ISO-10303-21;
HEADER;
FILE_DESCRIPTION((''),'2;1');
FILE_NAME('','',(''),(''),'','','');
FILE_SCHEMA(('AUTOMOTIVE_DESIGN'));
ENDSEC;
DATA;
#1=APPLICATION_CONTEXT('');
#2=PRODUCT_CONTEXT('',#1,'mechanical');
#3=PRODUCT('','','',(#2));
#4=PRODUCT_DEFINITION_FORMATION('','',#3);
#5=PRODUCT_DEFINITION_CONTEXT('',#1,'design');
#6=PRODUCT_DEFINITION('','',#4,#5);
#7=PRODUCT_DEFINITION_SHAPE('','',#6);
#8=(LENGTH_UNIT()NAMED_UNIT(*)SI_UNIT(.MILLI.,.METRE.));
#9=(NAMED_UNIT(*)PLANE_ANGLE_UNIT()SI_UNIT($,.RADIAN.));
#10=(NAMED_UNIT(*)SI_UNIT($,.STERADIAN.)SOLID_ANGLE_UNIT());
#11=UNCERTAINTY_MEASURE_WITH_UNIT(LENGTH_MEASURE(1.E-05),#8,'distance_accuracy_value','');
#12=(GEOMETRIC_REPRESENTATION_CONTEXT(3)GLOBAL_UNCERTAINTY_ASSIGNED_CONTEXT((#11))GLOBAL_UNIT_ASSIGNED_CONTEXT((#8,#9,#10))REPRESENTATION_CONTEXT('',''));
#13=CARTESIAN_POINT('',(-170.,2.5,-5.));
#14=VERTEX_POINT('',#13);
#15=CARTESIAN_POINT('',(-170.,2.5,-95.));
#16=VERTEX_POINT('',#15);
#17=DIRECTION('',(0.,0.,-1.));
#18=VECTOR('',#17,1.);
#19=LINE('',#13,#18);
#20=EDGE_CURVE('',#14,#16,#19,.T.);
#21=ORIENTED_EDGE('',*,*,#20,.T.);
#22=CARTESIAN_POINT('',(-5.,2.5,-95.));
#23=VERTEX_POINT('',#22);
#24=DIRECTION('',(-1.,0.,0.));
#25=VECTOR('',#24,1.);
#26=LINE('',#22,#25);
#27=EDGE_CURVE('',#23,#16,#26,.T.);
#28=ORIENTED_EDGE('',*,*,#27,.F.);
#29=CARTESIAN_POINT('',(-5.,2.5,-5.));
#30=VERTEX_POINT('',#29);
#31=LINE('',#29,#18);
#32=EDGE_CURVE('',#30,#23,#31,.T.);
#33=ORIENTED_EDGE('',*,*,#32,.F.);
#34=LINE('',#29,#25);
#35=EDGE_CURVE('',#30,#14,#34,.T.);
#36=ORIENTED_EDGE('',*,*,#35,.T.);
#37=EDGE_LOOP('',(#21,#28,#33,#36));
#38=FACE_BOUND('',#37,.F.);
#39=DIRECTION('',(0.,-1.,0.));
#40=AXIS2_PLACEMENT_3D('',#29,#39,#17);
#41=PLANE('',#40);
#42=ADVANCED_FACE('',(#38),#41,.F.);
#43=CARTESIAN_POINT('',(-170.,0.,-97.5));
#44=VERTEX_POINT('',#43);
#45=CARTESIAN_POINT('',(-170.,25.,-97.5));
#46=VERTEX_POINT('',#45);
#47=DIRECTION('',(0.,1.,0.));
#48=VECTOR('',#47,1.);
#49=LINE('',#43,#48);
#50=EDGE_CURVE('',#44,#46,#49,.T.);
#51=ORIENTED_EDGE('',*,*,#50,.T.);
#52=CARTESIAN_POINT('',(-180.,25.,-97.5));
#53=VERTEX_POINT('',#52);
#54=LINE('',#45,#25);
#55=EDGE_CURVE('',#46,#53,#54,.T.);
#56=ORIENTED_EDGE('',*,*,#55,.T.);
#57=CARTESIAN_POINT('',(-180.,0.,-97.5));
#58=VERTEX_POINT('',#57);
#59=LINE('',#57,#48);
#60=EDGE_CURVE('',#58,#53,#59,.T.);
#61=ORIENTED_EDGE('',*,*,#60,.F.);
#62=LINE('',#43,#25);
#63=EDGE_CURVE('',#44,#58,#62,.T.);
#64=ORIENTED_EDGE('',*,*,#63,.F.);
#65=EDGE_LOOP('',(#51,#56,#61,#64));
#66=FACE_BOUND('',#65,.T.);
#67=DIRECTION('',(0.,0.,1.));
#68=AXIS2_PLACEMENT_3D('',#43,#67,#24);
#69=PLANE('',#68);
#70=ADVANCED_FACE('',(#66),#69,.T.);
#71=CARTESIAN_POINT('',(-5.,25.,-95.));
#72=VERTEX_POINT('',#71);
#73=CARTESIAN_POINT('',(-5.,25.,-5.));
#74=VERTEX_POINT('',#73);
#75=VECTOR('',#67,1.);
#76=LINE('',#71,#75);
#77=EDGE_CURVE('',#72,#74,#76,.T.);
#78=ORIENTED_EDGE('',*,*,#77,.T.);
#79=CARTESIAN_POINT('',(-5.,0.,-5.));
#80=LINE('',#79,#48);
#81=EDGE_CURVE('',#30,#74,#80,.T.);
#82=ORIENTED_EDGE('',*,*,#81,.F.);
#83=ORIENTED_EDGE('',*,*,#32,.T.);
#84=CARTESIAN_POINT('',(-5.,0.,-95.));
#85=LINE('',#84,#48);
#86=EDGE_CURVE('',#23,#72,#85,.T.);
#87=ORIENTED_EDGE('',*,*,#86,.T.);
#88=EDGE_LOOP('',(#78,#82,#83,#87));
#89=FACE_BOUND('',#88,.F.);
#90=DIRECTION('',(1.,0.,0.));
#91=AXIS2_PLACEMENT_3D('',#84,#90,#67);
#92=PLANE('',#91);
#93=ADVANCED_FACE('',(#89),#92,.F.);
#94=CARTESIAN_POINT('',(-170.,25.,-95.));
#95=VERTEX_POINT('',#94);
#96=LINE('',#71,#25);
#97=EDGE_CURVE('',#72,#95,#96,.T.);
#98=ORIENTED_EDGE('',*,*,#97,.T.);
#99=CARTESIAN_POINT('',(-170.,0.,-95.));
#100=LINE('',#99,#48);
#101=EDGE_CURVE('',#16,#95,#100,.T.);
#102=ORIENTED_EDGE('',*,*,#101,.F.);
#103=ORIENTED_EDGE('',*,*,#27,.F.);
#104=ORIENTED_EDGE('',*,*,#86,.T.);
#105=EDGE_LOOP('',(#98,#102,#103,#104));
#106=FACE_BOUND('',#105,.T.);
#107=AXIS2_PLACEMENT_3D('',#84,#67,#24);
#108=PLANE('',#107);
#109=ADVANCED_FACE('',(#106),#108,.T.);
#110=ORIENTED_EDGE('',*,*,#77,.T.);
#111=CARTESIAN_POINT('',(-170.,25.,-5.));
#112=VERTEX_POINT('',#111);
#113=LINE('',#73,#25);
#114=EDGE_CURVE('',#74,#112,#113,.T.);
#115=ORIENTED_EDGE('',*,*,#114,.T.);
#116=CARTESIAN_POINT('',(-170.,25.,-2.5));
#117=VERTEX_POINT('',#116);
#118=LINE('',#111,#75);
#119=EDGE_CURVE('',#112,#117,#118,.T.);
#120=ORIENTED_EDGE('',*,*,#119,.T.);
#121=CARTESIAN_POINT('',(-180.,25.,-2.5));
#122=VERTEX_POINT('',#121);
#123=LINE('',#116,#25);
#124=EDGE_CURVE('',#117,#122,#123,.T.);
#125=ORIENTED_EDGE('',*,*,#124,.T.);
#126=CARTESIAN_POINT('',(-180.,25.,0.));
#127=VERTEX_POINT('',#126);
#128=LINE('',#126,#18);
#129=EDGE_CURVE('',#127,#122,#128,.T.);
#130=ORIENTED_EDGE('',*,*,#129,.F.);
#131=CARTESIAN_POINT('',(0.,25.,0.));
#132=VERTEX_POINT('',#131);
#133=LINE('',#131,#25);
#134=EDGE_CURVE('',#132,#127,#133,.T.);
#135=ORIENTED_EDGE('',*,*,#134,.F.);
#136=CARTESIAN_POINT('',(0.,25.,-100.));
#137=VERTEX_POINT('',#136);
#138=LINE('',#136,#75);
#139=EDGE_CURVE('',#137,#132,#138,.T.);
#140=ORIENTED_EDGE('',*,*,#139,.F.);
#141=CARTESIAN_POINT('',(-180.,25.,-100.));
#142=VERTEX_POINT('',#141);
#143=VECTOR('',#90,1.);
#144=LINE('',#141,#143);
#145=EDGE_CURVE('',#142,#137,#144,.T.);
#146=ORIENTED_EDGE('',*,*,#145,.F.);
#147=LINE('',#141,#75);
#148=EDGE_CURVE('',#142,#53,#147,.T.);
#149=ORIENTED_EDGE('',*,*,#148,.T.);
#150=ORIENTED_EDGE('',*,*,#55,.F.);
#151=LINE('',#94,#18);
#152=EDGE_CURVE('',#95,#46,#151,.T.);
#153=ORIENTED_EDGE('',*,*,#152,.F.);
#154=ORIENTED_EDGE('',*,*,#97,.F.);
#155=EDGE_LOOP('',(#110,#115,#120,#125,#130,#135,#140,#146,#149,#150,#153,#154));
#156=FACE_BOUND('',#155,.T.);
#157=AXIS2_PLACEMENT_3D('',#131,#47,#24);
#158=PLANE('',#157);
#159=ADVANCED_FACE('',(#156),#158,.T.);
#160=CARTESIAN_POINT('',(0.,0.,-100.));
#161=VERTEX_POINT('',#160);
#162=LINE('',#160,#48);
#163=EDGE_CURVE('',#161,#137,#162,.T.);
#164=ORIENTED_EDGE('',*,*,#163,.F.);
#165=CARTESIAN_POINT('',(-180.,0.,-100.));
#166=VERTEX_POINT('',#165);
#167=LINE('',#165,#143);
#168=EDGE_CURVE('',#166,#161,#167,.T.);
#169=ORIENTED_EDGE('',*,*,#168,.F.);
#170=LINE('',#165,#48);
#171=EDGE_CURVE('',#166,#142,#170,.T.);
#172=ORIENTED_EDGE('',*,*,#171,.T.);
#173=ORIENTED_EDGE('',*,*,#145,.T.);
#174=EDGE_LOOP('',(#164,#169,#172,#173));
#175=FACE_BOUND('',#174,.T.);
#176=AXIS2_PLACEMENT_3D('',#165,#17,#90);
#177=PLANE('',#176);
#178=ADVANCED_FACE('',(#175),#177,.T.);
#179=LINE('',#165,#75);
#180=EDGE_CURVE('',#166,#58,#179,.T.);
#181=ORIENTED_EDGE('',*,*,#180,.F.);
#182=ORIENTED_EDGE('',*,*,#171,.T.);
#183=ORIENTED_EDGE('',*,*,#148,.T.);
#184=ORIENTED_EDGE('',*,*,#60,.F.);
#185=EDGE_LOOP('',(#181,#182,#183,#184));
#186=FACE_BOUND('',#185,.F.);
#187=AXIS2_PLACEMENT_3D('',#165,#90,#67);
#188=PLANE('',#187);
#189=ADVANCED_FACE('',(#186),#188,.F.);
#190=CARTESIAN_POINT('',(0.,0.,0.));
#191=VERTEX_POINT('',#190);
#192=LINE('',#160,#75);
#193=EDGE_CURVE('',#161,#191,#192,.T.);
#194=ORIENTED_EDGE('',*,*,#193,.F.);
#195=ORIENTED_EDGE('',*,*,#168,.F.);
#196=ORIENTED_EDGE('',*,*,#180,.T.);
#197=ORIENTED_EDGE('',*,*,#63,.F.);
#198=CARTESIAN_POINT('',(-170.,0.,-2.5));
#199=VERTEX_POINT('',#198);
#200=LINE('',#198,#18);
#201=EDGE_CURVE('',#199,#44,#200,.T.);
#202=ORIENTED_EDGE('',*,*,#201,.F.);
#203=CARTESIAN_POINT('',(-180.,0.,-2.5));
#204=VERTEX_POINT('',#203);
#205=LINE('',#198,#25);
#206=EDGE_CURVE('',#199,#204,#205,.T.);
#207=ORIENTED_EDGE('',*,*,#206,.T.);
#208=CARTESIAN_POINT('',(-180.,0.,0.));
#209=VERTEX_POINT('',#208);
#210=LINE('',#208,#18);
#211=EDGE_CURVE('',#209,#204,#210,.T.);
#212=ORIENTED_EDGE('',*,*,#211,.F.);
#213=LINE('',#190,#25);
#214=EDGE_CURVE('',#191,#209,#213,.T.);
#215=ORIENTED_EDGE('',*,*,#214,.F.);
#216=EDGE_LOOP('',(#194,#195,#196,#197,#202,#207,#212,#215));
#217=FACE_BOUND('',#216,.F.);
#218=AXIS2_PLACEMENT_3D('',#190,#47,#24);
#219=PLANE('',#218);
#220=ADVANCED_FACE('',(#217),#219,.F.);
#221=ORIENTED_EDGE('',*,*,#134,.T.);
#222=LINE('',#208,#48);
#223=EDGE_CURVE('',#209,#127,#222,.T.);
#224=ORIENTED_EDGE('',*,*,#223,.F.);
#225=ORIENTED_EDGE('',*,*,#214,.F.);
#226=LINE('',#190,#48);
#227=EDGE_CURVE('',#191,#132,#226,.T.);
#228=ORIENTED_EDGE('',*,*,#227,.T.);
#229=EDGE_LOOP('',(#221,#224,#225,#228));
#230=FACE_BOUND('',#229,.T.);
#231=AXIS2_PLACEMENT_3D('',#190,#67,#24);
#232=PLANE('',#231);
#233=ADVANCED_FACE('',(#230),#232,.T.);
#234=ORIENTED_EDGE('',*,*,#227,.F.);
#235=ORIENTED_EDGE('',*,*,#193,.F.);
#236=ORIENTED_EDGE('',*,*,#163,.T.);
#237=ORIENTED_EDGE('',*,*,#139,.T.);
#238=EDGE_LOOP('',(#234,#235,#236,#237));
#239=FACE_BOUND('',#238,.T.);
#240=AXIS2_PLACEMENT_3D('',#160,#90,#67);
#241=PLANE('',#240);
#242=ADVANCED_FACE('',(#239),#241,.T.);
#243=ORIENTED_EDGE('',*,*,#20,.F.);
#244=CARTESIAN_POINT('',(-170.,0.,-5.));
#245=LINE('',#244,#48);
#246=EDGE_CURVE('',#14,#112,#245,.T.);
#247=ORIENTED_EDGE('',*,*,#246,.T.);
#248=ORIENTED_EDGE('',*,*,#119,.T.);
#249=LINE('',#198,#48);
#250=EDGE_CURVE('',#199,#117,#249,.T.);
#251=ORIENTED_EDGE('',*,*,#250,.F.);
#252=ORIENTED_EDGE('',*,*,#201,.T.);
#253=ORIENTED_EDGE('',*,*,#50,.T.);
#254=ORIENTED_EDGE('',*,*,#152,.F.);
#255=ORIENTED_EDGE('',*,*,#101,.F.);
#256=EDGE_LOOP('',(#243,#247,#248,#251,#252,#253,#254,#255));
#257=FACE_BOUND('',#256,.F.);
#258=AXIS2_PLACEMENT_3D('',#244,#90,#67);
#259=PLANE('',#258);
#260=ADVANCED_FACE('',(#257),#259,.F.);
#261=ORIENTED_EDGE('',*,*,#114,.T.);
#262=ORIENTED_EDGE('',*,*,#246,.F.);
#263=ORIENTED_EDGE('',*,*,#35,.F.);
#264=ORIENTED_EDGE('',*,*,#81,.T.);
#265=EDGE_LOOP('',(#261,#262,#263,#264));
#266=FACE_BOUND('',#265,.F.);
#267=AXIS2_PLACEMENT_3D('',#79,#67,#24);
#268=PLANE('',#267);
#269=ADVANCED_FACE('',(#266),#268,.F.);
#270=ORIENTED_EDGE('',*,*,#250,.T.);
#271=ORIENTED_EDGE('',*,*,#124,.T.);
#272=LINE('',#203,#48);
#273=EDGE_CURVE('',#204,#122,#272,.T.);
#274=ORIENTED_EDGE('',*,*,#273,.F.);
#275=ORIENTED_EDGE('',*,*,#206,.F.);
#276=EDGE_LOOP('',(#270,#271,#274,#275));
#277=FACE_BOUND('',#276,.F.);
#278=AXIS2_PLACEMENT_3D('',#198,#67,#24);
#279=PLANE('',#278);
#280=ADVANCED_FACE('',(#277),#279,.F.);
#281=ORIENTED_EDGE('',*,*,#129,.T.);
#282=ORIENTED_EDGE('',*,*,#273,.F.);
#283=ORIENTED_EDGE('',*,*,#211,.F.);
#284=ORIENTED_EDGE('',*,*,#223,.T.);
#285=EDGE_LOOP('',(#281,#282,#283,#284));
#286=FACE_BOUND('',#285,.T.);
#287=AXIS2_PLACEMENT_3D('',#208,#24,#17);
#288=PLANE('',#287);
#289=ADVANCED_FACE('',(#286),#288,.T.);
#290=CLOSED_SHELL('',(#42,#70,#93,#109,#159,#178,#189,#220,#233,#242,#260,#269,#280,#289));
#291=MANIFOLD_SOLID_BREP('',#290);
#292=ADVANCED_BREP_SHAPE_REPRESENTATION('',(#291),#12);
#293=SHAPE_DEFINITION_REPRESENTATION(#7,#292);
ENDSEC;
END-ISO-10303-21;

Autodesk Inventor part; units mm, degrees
ref_plane "YZ Plane" through (0, 0, 0) normal (1, 0, 0) x (0, 1, 0)
ref_plane "XZ Plane" through (0, 0, 0) normal (0, 1, 0) x (-1, 0, 0)
ref_plane "XY Plane" through (0, 0, 0) normal (0, 0, 1) x (1, 0, 0)
sketch "Skizze1" plane through (0, 0, 0) normal (0, 1, 0) x (-1, 0, 0)
  line L0 (0, 0) -> (180, 0)
  line L1 (180, -100) -> (0, -100)
  line L2 (0, -100) -> (0, 0)
  line L3 (5, -95) -> (5, -5)
  line L4 (5, -5) -> (170, -5)
  line L5 (5, -95) -> (170, -95)
  line L6 (170, -95) -> (170, -97.5)
  line L7 (170, -97.5) -> (180, -97.5)
  line L8 (170, -5) -> (170, -2.5)
  line L9 (170, -2.5) -> (180, -2.5)
  line L10 (180, 0) -> (180, -2.5)
  line L11 (180, -100) -> (180, -97.5)
  dimension "d0" = 180
  dimension "d1" = 100
  dimension "d2" = 90
  dimension "d3" = 165
extrude "Extrusion1" add sketch "Skizze1" along normal blind 25
sketch "Skizze2" plane through (-5, 0, -95) normal (-1, 0, 0) x (0, 0, 1)
  line L0 (90, 0) -> (90, 25) projected
  line L1 (0, 0) -> (90, 0) projected
  line L2 (90, 0) -> (90, 25) projected
  line L3 (0, 25) -> (90, 25) projected
  line L4 (0, 0) -> (0, 25) projected
  line L5 (0, 0) -> (90, 0)
  line L6 (90, 0) -> (90, 2.5)
  line L7 (90, 2.5) -> (0, 2.5)
  line L8 (0, 2.5) -> (0, 0)
  point P0 (95, 0)
  dimension "d6" = 90
  dimension "d7" = 2.5
extrude "Extrusion2" add sketch "Skizze2" along normal blind 165 contours L1 L4 L7 L0
properties part number "Schublade Teil B"
